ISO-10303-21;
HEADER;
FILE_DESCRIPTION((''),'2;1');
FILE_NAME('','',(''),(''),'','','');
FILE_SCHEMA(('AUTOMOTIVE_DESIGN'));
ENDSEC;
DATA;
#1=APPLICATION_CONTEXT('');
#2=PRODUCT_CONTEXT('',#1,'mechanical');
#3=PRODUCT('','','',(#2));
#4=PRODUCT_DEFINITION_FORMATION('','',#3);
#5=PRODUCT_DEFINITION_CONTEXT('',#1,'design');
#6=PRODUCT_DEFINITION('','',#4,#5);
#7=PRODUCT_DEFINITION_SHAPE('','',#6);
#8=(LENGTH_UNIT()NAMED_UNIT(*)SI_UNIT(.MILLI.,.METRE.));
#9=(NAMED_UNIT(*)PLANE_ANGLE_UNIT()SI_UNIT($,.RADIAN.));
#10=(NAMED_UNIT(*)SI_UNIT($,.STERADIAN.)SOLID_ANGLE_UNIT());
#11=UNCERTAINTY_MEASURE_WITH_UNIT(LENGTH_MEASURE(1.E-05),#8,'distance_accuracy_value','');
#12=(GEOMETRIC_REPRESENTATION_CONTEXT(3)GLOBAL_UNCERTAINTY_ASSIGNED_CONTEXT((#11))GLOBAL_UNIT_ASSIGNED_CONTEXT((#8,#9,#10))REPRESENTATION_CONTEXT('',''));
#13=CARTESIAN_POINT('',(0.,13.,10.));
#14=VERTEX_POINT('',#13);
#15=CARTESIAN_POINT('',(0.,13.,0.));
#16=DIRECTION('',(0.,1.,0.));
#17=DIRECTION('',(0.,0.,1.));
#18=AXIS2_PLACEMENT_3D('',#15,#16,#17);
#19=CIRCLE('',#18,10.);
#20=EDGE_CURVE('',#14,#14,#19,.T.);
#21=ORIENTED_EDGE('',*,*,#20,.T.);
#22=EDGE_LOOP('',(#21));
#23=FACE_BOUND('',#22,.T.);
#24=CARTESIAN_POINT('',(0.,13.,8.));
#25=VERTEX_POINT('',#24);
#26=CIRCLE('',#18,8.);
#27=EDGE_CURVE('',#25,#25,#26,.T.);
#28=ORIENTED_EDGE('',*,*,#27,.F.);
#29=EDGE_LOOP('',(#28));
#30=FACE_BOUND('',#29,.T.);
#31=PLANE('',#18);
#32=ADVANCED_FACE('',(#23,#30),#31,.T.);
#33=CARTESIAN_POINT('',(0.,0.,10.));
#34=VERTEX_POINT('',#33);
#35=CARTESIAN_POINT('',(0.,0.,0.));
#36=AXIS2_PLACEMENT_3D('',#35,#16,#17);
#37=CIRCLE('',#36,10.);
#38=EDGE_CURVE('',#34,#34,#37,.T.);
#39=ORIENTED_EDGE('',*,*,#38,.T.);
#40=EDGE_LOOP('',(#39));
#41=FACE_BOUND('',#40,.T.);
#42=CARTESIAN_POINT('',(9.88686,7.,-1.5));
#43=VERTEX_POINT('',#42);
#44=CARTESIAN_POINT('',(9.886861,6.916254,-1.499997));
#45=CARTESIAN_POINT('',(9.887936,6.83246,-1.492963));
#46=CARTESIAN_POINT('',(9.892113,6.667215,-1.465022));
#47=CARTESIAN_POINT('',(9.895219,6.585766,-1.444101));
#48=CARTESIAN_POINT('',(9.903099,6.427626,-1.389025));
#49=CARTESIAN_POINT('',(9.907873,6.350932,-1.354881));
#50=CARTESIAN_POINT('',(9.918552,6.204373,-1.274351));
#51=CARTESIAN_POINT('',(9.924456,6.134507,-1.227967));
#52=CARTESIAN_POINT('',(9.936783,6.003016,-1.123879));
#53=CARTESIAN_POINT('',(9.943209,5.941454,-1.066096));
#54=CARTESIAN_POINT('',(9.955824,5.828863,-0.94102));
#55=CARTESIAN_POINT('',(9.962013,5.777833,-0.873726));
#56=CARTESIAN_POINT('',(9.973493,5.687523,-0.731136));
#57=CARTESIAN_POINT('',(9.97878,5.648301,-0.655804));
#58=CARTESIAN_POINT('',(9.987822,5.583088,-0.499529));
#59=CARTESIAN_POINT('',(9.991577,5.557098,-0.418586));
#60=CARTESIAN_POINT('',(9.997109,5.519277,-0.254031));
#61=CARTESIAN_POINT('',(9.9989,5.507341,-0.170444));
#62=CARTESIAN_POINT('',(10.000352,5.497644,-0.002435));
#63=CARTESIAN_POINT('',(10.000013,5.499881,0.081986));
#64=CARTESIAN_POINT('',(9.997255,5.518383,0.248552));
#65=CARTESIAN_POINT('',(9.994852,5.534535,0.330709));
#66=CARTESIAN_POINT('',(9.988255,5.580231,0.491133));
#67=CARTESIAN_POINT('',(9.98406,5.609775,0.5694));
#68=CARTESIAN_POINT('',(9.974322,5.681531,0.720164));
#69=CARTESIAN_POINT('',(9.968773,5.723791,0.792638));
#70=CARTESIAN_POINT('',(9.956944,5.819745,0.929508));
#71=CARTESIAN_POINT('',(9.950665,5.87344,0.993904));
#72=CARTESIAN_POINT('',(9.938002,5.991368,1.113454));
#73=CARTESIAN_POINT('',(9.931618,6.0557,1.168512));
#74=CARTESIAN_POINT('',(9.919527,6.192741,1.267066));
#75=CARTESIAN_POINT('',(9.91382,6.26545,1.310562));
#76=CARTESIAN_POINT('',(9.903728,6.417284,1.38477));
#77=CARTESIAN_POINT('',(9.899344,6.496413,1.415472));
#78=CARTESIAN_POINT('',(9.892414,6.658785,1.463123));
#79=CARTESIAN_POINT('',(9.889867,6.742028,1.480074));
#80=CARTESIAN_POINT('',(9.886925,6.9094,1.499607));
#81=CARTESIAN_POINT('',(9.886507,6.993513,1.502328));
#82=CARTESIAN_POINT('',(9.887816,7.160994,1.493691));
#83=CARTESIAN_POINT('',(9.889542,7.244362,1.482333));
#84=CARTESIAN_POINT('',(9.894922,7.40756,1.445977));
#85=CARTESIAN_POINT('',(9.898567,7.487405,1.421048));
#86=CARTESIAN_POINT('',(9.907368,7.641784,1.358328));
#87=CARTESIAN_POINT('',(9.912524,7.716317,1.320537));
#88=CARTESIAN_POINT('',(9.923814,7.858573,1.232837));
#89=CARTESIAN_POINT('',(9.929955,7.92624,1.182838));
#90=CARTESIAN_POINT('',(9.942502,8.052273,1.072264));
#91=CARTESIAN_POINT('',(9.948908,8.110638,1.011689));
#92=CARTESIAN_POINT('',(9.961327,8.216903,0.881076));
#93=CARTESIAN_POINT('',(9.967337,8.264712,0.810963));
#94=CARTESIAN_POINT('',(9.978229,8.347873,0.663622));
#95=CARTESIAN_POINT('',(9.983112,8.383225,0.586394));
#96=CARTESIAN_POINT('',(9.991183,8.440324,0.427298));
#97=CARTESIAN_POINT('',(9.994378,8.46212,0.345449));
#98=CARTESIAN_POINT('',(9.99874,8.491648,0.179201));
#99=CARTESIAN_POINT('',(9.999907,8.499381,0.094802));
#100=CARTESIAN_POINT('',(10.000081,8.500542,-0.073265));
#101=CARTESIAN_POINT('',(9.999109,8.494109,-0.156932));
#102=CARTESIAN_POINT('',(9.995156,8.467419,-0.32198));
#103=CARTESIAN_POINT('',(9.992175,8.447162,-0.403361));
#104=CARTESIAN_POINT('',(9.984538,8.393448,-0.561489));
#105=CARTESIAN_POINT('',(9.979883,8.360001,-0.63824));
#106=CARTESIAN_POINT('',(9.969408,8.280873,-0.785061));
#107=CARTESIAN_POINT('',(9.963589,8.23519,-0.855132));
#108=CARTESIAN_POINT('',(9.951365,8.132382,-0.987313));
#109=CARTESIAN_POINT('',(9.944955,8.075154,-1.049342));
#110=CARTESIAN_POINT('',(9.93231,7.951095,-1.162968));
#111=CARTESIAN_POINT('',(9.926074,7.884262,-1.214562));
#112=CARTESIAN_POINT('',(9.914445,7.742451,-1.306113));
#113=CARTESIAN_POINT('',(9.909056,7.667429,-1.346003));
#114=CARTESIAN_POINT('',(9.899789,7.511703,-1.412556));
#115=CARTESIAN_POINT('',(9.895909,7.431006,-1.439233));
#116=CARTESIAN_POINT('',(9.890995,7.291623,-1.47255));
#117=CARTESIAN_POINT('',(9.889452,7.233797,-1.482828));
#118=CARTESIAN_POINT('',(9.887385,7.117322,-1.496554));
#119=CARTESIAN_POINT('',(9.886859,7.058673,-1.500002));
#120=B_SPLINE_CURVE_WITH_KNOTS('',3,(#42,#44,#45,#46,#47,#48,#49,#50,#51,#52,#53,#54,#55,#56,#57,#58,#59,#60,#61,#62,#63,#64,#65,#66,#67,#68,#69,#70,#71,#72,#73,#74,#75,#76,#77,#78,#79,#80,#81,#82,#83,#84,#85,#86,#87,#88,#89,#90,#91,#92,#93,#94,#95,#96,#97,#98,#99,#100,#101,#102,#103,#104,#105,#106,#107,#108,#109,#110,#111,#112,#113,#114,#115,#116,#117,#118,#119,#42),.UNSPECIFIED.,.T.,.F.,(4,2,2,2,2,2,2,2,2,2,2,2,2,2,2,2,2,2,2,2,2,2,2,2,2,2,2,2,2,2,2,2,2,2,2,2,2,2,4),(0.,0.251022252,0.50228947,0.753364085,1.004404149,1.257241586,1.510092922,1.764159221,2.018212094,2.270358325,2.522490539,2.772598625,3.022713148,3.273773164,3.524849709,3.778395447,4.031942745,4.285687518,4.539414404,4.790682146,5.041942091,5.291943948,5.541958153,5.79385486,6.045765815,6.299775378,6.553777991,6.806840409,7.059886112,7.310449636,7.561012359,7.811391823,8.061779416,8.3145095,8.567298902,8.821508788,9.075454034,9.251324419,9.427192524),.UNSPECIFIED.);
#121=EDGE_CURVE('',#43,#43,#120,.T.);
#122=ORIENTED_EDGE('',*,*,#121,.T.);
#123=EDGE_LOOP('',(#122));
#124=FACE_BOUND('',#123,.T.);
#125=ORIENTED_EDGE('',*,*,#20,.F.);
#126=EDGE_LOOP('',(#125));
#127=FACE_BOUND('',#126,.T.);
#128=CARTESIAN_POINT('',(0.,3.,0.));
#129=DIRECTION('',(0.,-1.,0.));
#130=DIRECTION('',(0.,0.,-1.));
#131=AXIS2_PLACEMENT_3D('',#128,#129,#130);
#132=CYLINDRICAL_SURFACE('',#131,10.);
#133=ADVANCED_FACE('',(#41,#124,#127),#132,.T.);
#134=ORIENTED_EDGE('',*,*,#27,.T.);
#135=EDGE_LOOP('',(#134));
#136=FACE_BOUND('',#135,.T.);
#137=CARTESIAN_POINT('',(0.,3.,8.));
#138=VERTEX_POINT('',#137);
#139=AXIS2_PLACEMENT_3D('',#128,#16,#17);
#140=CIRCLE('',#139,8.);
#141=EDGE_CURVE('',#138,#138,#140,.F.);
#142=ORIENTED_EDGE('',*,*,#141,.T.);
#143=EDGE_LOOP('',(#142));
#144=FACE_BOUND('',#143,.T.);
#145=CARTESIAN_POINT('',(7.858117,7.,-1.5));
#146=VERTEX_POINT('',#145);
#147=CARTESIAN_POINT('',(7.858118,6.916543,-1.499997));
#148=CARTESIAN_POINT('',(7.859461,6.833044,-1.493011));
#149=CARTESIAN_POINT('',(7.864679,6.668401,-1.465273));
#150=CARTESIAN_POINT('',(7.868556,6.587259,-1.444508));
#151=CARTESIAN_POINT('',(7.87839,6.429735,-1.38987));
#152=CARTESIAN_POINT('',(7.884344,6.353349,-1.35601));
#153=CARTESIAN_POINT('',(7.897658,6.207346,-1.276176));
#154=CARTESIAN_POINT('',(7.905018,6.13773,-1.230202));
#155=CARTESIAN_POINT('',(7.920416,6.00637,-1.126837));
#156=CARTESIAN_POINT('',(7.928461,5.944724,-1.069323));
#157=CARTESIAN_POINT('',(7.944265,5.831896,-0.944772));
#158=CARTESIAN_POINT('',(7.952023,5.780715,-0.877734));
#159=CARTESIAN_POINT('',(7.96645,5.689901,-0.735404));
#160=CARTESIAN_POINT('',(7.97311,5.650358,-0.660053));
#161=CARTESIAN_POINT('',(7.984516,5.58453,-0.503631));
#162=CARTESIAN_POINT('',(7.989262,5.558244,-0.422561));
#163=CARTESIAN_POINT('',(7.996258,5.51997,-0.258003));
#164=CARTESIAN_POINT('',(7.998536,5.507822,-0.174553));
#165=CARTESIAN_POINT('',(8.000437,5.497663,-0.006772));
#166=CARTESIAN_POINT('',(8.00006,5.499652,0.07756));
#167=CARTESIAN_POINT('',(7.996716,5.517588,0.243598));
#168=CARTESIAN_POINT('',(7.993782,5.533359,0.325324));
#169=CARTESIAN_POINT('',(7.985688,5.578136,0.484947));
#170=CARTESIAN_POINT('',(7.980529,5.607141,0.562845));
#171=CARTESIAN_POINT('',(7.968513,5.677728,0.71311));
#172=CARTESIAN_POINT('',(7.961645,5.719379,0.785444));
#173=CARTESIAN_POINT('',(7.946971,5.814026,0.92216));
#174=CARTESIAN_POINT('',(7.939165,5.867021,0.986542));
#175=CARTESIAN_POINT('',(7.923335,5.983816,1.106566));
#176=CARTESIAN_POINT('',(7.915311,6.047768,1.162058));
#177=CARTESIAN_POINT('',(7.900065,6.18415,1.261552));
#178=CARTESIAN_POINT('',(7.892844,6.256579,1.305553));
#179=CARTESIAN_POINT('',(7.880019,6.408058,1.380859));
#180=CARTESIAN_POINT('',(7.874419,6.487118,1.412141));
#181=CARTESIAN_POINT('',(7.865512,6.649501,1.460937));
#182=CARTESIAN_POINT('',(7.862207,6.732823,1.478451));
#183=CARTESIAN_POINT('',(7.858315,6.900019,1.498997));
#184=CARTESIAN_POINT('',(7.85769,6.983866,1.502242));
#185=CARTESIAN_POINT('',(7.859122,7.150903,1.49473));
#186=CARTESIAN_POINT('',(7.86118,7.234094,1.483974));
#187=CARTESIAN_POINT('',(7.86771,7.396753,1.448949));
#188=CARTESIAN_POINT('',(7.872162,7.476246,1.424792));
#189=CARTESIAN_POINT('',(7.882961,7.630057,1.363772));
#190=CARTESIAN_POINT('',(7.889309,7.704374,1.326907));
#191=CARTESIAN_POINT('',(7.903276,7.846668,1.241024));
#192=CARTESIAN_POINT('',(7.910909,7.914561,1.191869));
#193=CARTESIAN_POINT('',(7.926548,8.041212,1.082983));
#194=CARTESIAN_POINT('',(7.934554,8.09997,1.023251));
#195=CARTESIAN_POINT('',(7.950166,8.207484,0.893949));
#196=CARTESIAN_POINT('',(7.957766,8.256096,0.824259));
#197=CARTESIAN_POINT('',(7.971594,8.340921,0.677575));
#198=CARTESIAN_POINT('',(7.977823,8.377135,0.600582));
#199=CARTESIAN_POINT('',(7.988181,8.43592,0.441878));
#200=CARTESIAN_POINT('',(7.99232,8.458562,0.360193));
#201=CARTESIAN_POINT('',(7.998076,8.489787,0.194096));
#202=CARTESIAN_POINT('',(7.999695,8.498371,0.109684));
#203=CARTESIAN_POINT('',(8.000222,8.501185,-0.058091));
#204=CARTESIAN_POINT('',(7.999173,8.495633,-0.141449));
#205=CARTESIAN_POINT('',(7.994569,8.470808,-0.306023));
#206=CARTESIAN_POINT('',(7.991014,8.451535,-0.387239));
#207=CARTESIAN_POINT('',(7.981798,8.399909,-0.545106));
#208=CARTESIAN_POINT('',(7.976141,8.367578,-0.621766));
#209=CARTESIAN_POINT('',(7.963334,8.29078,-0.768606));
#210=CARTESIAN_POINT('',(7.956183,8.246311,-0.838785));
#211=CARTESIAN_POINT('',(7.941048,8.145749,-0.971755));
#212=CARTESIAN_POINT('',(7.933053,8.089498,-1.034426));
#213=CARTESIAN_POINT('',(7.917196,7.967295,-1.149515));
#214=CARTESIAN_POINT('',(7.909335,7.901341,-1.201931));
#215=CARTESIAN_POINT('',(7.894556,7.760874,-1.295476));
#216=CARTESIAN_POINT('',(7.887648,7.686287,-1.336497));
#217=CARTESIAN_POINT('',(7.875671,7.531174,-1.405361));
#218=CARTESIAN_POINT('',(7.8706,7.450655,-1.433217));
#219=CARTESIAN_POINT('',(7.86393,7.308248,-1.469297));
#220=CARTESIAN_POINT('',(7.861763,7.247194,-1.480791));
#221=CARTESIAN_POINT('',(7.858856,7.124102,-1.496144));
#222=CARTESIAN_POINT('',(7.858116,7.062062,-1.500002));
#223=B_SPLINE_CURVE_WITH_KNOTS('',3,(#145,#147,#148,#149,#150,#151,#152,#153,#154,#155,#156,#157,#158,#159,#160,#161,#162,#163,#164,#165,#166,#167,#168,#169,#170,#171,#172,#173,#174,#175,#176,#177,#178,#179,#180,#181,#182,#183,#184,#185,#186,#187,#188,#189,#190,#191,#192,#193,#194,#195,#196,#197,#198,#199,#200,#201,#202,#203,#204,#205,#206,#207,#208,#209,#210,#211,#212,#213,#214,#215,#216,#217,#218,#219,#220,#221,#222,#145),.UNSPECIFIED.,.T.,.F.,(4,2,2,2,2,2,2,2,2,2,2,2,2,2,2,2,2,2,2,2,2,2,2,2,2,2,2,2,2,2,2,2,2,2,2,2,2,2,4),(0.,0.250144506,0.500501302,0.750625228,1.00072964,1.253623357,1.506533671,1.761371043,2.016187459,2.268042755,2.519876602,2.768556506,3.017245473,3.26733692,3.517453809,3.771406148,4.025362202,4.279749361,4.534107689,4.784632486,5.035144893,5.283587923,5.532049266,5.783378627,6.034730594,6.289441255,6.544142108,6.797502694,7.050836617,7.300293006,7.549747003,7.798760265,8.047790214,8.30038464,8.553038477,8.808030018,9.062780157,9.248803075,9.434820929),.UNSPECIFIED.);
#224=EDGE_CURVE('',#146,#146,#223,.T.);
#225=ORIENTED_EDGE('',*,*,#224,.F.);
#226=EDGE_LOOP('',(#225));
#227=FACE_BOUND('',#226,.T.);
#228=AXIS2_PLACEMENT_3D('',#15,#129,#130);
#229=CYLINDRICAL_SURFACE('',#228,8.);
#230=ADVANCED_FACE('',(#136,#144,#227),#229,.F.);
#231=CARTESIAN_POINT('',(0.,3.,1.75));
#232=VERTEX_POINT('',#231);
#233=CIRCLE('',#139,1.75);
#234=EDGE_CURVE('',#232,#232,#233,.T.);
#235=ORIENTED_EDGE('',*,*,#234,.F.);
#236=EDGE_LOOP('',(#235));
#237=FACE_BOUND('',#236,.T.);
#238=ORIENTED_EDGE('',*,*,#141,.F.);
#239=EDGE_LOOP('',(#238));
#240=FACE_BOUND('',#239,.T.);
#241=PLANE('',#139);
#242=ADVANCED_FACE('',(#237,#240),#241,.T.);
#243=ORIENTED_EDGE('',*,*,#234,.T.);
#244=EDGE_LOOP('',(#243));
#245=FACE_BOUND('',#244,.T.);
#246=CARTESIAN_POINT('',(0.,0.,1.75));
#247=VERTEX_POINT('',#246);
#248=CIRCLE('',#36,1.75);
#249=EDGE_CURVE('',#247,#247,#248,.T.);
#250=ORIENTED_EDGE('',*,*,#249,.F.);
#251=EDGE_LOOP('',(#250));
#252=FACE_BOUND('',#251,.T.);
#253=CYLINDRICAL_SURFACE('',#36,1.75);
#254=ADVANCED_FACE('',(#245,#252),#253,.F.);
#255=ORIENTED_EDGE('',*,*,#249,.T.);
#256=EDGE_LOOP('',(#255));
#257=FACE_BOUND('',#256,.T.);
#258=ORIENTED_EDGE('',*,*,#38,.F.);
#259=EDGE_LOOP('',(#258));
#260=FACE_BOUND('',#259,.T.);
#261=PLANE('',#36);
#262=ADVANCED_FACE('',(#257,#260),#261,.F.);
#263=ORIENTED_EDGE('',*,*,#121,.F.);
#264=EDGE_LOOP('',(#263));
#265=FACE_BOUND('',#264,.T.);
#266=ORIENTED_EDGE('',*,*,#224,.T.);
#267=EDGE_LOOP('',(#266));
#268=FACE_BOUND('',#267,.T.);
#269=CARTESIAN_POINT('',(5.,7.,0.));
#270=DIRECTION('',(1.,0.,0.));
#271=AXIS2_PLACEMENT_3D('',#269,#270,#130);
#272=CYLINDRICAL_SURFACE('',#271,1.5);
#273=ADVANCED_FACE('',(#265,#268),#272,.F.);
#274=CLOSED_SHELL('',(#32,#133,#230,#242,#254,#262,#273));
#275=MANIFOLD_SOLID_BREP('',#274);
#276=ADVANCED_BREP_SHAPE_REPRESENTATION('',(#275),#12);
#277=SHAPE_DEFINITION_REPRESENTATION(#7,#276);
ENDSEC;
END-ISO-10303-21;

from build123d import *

# Parameters (mm, degrees)
SKETCH1_R           = 10
BOSS_EXTRUDE1_DEPTH = 3
SKETCH2_R           = 1.75
CUT_EXTRUDE1_DEPTH  = 3
SKETCH3_R           = 10
SKETCH3_R_2         = 8
BOSS_EXTRUDE2_DEPTH = 10
SKETCH4_R           = 1.5
CUT_EXTRUDE2_DEPTH  = 5


with BuildPart() as part:
    # Sketch1 → Boss-Extrude1 (new body)
    with BuildSketch(Plane(origin=(0, 0, 0), x_dir=(1, 0, 0), z_dir=(0, 1, 0))):
        with Locations(Location((0, 0, 0), (0, 0, 270))):
            Circle(SKETCH1_R)
    extrude(amount=BOSS_EXTRUDE1_DEPTH)

    # Sketch2 → Cut-Extrude1 (cut)
    with BuildSketch(Plane(origin=(0, 3, 0), x_dir=(1, 0, 0), z_dir=(0, 1, 0))):
        with Locations(Location((0, 0, 0), (0, 0, 270))):
            Circle(SKETCH2_R)
    extrude(amount=-CUT_EXTRUDE1_DEPTH, mode=Mode.SUBTRACT)

    # Sketch3 → Boss-Extrude2 (add)
    with BuildSketch(Plane(origin=(0, 3, 0), x_dir=(1, 0, 0), z_dir=(0, 1, 0))):
        with Locations(Location((0, 0, 0), (0, 0, 270))):
            Circle(SKETCH3_R)
        with Locations(Location((0, 0, 0), (0, 0, 270))):
            Circle(SKETCH3_R_2, mode=Mode.SUBTRACT)
    extrude(amount=BOSS_EXTRUDE2_DEPTH)

    # Sketch4 → Cut-Extrude2 (cut)
    with BuildSketch(Plane(origin=(10, 0, 0), x_dir=(0, 0, -1), z_dir=(1, 0, 0))):
        with Locations((0, 7)):
            Circle(SKETCH4_R)
    extrude(amount=-CUT_EXTRUDE2_DEPTH, mode=Mode.SUBTRACT)


solid = part.part
